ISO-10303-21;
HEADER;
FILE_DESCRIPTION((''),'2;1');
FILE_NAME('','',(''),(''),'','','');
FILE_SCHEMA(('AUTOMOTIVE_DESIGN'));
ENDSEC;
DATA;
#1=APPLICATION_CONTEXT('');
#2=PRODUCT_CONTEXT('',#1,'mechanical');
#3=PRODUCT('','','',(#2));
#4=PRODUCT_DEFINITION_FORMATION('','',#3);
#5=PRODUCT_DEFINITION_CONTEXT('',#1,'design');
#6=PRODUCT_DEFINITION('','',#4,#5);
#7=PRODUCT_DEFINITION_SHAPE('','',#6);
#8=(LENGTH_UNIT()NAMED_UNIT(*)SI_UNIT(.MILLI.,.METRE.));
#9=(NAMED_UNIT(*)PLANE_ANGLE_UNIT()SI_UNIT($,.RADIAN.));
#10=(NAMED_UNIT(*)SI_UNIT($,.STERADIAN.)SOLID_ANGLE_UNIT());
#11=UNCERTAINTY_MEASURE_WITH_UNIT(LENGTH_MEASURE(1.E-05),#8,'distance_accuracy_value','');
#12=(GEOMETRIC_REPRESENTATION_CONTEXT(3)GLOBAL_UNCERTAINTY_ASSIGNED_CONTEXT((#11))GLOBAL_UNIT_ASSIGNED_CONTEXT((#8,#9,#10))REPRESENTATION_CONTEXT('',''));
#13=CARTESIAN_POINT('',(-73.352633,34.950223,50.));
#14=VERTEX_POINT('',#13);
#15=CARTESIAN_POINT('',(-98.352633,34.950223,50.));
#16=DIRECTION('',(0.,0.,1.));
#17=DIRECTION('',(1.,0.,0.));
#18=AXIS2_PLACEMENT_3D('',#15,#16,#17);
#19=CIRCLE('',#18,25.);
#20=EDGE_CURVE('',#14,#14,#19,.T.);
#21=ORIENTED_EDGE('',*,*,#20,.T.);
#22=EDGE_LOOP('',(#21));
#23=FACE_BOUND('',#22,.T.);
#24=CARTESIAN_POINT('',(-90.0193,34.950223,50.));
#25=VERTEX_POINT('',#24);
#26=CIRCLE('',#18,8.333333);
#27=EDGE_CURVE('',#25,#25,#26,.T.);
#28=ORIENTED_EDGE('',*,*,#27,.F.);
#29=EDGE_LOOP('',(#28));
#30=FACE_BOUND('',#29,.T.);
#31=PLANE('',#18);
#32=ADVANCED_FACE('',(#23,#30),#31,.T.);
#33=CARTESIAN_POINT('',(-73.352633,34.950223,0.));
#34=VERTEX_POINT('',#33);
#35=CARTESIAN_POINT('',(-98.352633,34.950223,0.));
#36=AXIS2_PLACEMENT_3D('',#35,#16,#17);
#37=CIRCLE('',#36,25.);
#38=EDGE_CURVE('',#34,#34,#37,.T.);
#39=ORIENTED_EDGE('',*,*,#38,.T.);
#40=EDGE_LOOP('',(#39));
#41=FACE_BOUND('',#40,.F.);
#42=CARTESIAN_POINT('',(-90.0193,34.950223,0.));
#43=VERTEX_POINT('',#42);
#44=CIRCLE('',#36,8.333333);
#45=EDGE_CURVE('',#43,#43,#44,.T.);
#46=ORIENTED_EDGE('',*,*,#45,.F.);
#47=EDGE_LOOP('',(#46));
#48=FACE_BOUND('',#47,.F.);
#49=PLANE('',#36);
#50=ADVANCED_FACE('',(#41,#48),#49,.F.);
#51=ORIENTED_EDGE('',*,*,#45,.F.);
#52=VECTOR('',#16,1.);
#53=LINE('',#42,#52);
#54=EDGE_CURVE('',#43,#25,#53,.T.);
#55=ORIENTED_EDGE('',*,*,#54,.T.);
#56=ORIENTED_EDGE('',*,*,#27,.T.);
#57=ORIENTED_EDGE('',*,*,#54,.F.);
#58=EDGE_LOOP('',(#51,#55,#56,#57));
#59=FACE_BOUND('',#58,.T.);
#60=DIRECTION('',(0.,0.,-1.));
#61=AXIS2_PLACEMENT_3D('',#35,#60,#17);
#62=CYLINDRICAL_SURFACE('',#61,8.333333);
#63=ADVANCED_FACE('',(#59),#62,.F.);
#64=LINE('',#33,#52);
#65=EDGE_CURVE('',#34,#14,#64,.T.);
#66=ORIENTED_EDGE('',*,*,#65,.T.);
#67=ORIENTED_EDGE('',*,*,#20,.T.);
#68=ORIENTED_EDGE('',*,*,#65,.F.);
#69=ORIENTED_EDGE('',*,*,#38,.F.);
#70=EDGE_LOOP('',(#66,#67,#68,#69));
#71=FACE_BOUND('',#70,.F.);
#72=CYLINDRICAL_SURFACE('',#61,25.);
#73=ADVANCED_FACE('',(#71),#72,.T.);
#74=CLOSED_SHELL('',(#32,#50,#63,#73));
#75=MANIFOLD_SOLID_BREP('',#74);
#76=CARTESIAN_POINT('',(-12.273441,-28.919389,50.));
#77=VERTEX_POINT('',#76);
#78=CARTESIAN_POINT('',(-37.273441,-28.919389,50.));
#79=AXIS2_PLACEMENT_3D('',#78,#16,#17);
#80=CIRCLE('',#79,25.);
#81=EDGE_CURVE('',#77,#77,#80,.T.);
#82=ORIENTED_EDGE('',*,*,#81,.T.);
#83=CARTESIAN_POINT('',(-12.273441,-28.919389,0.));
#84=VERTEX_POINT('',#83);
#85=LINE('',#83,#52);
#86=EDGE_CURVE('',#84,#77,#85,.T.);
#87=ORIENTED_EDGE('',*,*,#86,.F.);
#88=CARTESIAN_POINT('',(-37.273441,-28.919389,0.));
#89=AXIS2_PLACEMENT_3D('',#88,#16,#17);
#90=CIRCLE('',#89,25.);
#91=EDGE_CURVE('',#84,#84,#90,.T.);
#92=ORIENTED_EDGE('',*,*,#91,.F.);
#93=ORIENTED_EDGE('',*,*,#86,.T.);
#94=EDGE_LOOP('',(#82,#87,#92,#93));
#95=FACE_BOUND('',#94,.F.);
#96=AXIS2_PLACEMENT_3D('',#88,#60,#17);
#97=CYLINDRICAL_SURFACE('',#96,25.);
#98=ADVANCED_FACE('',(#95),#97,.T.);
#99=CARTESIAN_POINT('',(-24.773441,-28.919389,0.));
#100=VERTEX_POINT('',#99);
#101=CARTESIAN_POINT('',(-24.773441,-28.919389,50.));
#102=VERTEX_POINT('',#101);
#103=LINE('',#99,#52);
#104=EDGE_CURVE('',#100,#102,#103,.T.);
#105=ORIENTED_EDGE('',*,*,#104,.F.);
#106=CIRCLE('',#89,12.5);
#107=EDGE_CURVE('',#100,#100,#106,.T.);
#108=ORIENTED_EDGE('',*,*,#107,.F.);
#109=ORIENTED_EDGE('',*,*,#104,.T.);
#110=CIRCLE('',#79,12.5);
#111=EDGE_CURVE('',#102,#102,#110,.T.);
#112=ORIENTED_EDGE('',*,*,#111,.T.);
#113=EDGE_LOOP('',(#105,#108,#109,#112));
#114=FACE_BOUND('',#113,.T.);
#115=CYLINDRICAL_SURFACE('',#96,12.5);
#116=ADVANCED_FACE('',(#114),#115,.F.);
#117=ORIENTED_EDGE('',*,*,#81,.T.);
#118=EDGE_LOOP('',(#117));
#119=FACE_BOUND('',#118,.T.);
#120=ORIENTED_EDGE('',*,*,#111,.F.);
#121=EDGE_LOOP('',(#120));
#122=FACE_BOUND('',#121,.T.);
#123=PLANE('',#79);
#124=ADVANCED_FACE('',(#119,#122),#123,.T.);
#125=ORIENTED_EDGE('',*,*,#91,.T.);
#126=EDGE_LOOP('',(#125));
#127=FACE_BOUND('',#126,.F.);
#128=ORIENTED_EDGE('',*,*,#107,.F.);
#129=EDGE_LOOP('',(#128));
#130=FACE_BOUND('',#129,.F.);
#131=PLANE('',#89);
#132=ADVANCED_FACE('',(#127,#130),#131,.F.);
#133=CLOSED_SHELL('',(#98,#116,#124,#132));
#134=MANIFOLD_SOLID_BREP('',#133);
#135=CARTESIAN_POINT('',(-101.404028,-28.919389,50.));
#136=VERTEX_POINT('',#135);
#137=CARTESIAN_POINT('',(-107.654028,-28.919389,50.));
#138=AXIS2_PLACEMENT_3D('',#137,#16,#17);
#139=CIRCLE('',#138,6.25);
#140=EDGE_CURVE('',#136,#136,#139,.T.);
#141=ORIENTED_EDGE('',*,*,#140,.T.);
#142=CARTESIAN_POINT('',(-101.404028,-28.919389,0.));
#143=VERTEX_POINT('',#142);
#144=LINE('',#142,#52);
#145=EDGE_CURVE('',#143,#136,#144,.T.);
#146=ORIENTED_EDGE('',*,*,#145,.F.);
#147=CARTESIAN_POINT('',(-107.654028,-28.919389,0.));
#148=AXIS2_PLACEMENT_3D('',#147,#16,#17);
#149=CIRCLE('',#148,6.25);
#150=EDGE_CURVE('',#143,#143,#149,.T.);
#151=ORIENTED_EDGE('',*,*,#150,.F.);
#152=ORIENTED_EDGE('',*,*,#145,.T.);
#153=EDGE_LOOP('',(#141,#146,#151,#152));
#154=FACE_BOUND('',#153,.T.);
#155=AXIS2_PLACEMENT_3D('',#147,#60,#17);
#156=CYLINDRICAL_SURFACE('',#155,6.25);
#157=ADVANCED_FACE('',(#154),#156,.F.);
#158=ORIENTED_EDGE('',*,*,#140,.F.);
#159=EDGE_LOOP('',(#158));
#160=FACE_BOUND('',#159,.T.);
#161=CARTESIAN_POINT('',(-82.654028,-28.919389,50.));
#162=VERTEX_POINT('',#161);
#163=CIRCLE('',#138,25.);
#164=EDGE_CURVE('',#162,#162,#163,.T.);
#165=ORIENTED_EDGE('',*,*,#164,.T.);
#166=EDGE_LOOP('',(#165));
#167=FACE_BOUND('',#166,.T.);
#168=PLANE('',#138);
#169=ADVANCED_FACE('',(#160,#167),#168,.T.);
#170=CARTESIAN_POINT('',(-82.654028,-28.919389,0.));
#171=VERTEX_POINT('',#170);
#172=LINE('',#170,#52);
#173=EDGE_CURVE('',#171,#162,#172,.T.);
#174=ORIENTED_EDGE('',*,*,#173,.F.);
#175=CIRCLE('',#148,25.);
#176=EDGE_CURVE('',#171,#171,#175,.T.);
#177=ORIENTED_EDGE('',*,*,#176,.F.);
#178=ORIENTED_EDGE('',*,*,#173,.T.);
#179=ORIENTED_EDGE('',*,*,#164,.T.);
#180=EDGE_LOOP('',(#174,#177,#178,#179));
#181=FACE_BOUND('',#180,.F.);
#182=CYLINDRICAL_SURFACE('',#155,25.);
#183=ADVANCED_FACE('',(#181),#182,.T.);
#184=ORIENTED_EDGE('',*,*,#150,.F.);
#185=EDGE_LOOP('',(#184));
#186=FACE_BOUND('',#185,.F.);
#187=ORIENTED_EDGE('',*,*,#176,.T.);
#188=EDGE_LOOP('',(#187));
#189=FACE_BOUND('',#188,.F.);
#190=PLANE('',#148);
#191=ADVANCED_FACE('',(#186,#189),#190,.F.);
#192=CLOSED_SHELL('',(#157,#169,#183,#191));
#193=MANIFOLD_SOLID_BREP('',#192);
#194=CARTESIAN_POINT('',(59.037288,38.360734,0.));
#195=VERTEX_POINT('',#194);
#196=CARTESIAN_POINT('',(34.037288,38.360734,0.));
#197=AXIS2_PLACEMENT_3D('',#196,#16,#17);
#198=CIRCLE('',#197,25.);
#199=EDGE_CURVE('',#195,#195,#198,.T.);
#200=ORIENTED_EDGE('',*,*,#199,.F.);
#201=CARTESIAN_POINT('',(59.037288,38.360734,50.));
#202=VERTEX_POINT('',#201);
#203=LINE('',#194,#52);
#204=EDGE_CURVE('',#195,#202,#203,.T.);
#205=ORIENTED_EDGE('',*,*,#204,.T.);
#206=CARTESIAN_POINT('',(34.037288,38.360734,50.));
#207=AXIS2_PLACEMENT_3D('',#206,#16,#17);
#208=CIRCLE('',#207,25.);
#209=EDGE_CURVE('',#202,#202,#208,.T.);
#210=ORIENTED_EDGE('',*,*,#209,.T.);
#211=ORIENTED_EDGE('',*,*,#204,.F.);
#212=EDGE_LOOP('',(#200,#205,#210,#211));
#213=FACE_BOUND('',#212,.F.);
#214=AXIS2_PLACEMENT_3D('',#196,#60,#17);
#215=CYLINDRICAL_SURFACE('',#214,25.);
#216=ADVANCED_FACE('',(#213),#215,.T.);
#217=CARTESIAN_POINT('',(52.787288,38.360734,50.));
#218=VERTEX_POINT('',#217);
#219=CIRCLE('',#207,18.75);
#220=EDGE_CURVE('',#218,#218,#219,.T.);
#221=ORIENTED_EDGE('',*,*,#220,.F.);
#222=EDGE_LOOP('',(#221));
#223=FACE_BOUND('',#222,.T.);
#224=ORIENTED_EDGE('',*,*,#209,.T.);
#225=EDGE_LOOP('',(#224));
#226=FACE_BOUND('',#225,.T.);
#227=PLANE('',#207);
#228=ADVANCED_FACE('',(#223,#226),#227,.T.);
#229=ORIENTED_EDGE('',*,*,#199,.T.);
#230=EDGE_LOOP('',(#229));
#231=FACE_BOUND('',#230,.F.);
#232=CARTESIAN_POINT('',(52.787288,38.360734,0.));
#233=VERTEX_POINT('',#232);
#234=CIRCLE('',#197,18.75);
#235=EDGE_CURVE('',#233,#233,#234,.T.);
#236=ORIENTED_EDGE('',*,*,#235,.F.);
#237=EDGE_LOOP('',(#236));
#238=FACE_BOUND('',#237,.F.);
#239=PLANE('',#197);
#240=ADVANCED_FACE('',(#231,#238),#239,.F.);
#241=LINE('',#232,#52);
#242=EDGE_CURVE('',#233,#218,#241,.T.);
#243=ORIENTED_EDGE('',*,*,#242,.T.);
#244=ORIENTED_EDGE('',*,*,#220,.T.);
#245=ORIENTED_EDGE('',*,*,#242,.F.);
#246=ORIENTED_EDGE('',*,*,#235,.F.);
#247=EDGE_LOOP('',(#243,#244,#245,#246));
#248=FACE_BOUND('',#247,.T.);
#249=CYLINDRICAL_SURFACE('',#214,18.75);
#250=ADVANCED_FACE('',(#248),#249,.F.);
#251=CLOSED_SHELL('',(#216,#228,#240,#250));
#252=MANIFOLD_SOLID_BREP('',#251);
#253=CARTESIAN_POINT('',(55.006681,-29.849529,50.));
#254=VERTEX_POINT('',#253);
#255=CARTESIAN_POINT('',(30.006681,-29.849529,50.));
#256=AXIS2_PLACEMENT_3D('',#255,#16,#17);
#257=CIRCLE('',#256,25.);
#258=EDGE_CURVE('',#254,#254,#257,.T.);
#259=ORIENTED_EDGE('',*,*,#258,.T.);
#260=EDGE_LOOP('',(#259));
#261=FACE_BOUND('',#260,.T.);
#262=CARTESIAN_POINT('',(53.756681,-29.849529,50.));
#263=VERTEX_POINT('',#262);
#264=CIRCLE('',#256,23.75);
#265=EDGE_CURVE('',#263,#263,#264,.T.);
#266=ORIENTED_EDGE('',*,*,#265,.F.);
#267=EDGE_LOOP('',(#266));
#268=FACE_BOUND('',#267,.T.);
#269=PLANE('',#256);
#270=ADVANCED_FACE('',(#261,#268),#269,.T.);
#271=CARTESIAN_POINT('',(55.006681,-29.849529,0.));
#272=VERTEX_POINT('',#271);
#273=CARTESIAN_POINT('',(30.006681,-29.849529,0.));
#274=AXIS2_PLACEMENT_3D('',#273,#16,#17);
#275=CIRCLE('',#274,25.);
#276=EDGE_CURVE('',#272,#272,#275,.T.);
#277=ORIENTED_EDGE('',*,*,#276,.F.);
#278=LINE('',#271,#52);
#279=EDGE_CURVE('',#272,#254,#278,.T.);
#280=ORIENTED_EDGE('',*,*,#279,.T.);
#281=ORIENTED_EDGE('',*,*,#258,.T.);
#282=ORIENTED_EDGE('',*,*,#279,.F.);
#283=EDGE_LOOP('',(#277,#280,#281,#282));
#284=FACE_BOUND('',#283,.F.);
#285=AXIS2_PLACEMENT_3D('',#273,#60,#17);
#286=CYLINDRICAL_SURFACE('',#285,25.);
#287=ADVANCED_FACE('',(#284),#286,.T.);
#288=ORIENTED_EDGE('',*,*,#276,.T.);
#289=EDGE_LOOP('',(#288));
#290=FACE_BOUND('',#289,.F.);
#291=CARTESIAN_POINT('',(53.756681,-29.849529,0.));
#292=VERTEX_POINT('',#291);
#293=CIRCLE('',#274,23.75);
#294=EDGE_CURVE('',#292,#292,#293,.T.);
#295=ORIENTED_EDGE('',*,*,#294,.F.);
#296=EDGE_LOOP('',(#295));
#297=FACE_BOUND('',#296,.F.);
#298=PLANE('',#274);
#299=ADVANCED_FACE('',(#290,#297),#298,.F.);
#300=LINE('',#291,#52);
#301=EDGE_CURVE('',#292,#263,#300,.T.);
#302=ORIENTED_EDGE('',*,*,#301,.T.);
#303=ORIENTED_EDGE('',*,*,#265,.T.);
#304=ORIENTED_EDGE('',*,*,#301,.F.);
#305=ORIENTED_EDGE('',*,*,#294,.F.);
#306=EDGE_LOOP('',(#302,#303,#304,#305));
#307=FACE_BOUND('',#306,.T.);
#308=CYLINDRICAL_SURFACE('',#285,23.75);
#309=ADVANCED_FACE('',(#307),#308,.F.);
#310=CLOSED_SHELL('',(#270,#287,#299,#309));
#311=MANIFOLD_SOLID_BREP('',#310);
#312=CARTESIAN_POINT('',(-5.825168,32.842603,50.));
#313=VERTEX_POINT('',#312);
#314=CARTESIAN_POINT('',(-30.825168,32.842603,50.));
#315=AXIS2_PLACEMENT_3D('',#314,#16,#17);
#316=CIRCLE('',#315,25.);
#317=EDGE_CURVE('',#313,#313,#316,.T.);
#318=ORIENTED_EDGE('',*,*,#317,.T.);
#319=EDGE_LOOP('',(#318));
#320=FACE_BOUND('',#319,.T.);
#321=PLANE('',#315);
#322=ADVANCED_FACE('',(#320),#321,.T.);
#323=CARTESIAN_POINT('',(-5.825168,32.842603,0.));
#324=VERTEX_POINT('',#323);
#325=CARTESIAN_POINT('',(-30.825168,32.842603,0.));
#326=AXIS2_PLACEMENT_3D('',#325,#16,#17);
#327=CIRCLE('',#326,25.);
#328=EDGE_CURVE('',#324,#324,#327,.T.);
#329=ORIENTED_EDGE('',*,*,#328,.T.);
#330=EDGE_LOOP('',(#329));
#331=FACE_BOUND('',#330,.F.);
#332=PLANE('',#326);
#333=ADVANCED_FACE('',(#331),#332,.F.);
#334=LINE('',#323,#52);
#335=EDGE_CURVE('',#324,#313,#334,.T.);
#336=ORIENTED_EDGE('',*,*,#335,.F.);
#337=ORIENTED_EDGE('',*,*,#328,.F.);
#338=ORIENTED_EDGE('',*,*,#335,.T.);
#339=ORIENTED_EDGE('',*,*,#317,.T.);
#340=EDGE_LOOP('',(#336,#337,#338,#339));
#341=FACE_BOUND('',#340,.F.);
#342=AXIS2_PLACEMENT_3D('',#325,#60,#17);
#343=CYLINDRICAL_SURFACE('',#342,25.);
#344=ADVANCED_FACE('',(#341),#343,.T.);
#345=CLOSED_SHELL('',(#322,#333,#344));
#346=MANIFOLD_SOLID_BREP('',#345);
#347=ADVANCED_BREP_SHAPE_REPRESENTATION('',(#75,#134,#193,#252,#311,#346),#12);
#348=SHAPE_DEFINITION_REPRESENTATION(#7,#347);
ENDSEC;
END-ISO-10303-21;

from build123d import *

# Parameters (mm, degrees)
F0_R     = 25
F0_R_2   = 8.333333
F0_R_3   = 18.75
F0_R_4   = 6.25
F0_R_5   = 12.5
F0_R_6   = 23.75
F1_DEPTH = 50


with BuildPart() as f1:
    # F0 (on Top) → F1 (new body)
    with BuildSketch(Plane.XY):
        with Locations((-98.352633, 34.950223)):
            Circle(F0_R)
        with Locations((-98.352633, 34.950223)):
            Circle(F0_R_2, mode=Mode.SUBTRACT)
        with Locations((-30.825168, 32.842603)):
            Circle(F0_R)
        with Locations((34.037288, 38.360734)):
            Circle(F0_R)
        with Locations((34.037288, 38.360734)):
            Circle(F0_R_3, mode=Mode.SUBTRACT)
        with Locations((-107.654028, -28.919389)):
            Circle(F0_R)
        with Locations((-107.654028, -28.919389)):
            Circle(F0_R_4, mode=Mode.SUBTRACT)
        with Locations((-37.273441, -28.919389)):
            Circle(F0_R)
        with Locations((-37.273441, -28.919389)):
            Circle(F0_R_5, mode=Mode.SUBTRACT)
        with Locations((30.006681, -29.849529)):
            Circle(F0_R)
        with Locations((30.006681, -29.849529)):
            Circle(F0_R_6, mode=Mode.SUBTRACT)
    extrude(amount=F1_DEPTH)


solid = f1.part
